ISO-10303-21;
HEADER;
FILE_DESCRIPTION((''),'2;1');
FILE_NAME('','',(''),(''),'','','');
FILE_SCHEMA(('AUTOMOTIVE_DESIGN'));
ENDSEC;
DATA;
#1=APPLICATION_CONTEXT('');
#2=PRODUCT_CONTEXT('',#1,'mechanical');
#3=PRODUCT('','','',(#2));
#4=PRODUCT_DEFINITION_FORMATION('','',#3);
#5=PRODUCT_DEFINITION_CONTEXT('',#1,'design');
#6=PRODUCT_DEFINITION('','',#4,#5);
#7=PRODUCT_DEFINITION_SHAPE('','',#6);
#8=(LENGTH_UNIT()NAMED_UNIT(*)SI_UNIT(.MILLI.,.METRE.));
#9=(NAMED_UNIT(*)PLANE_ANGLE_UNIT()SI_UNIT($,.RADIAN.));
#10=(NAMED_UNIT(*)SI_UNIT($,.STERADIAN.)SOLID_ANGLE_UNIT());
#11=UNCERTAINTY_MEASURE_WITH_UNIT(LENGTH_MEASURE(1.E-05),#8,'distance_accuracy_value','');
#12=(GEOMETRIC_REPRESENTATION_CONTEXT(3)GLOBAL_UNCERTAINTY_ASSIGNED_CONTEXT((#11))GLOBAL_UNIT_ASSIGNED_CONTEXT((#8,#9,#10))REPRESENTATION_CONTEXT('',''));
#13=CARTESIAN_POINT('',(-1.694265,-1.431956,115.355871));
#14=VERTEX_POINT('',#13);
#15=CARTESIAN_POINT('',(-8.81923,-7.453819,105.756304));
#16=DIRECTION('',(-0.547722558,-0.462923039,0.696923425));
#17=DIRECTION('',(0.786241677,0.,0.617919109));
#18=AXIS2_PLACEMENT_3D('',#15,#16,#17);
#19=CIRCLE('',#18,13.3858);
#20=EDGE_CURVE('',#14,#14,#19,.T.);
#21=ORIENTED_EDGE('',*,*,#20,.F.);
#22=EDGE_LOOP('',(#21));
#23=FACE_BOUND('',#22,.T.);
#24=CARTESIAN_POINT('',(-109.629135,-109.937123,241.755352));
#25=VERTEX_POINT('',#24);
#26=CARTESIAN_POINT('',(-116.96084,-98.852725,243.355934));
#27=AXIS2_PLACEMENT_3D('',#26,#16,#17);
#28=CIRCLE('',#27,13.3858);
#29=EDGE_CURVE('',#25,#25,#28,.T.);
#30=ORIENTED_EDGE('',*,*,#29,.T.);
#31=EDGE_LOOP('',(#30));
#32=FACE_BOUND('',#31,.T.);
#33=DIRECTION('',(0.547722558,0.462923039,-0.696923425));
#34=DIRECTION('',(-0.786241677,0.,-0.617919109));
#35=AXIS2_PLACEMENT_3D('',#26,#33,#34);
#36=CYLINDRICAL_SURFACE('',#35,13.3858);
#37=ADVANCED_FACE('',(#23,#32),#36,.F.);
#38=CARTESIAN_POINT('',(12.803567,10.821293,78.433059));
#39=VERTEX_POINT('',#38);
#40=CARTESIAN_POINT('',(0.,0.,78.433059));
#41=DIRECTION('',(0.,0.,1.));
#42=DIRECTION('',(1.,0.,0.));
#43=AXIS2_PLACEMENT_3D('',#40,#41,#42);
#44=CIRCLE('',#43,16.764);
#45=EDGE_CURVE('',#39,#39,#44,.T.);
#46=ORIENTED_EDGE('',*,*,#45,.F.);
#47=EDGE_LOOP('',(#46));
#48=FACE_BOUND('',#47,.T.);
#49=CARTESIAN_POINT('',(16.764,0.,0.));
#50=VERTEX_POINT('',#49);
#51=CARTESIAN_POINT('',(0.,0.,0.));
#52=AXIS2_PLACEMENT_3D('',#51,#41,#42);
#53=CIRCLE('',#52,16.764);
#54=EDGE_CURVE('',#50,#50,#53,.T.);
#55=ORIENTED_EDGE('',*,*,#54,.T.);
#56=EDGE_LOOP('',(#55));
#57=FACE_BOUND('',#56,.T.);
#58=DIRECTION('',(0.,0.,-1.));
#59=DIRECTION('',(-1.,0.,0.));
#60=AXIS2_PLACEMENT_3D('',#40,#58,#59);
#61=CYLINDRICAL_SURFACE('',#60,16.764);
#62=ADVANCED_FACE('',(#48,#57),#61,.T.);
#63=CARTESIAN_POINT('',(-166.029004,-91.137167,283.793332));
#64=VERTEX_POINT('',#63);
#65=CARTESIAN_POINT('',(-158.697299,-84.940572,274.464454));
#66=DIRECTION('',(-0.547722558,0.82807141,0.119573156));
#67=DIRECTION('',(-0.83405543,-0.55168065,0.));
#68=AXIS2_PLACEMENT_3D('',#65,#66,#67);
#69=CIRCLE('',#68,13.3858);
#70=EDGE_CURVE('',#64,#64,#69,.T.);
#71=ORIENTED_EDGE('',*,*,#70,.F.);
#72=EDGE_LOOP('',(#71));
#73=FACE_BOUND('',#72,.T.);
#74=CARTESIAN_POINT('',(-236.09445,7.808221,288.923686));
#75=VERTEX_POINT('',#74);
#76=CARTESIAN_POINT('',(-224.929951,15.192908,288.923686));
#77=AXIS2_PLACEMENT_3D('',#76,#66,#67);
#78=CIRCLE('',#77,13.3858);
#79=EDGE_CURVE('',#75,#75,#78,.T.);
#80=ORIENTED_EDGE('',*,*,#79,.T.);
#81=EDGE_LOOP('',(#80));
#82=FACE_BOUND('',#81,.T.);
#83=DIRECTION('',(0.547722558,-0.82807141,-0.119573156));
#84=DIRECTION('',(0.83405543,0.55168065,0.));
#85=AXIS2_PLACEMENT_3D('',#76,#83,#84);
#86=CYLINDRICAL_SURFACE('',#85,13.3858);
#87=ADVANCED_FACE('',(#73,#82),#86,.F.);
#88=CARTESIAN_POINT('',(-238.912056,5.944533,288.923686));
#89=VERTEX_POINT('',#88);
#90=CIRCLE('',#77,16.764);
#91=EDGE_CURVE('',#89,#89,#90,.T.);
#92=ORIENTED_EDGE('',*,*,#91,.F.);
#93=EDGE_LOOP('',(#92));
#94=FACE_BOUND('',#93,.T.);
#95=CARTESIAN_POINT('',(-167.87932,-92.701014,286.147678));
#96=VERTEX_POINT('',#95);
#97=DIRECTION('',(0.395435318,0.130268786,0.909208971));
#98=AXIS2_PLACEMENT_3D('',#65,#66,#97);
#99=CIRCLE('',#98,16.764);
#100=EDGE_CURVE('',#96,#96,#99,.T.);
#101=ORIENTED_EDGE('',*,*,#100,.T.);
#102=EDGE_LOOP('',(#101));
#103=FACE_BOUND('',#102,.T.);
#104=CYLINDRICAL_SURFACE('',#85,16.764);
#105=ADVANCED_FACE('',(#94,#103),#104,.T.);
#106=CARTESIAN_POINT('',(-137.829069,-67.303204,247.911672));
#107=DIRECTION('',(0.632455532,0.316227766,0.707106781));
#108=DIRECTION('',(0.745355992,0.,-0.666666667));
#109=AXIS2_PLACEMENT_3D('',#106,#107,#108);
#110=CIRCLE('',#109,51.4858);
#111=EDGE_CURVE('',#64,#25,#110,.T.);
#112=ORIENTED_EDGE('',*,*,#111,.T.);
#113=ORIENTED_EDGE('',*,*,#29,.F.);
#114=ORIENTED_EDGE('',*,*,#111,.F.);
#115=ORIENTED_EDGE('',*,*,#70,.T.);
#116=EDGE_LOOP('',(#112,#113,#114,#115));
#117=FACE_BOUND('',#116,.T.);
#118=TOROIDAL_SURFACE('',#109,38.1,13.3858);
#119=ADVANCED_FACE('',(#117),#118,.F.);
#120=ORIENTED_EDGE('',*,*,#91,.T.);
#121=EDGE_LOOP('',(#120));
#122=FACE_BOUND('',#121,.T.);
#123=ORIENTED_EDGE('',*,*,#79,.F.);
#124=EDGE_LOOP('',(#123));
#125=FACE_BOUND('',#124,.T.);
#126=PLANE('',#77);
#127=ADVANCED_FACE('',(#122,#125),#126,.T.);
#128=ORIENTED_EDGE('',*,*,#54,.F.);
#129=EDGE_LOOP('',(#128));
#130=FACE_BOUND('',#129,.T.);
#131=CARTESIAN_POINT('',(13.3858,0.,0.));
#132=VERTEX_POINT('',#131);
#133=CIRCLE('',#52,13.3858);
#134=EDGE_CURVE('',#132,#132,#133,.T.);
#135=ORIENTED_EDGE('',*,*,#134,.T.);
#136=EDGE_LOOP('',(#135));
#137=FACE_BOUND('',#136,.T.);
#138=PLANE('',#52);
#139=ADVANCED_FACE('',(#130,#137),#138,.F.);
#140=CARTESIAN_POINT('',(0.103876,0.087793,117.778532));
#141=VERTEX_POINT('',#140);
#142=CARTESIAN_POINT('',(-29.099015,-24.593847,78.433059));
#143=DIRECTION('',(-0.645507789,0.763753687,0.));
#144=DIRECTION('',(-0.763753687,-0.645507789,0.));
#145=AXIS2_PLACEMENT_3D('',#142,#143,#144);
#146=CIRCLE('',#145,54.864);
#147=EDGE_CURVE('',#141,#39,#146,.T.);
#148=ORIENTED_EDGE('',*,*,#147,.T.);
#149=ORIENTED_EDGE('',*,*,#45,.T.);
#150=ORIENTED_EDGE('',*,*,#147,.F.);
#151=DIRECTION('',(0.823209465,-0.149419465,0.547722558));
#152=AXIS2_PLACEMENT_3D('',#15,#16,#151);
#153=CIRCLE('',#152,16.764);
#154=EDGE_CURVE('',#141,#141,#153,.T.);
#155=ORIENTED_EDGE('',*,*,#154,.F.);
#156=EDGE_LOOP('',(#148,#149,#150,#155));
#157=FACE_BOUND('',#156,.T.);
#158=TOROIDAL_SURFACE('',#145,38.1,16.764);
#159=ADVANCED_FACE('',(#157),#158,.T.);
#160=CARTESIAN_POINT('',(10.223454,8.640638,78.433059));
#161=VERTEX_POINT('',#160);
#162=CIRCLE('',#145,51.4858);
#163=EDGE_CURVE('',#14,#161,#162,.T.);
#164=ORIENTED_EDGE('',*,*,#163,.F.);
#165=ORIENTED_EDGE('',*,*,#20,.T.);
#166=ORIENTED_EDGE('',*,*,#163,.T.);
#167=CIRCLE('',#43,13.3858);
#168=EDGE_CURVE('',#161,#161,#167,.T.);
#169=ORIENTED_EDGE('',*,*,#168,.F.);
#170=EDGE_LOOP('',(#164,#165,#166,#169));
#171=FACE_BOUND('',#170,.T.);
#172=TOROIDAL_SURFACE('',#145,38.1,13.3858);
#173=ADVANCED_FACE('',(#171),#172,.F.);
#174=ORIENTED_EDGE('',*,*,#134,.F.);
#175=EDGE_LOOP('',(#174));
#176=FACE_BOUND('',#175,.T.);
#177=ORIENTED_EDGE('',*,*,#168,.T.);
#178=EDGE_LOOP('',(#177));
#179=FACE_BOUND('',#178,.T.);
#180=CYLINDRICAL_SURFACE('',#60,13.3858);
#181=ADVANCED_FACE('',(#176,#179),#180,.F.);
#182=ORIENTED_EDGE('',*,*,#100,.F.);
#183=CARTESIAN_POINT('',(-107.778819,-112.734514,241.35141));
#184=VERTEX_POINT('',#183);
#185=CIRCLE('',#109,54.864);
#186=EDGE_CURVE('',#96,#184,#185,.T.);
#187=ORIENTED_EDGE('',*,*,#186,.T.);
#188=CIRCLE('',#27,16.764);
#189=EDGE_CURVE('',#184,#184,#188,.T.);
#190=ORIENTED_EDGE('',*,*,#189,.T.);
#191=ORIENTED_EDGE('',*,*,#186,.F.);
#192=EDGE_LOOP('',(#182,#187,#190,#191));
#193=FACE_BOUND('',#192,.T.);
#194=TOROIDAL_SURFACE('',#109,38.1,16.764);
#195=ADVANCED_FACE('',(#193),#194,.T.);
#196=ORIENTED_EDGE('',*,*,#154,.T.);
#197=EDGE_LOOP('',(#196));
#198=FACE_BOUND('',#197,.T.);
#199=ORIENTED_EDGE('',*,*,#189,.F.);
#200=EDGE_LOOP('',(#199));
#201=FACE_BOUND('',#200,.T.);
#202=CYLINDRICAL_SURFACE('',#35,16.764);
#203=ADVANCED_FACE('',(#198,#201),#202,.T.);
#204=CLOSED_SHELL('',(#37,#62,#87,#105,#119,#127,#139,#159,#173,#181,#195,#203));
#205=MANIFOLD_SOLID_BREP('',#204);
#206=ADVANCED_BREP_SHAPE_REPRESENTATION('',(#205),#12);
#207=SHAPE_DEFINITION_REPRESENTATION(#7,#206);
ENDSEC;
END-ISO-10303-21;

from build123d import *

# Parameters (mm, degrees)
PIPESKETCH_R    = 16.764
PIPESKETCH_R_2  = 13.3858
EXTRUSION_DEPTH = 78.43305879
SKETCH_1_R      = 16.764
SKETCH_1_R_2    = 13.3858
REVOLVE_1_ANGLE = 45.819311821
SKETCH_2_R      = 16.764
SKETCH_2_R_2    = 13.3858
EXTRUDE_1_DEPTH = 197.43866419
SKETCH_3_R      = 16.764
SKETCH_3_R_2    = 13.3858
REVOLVE_2_ANGLE = 90
SKETCH_4_R      = 16.764
SKETCH_4_R_2    = 13.3858
EXTRUDE_2_DEPTH = 120.923725302


with BuildPart() as part:
    # PipeSketch → Extrusion (new body)
    with BuildSketch(Plane.XY):
        Circle(PIPESKETCH_R)
        Circle(PIPESKETCH_R_2, mode=Mode.SUBTRACT)
    extrude(amount=EXTRUSION_DEPTH)

    # 草图1 → 旋转1 (revolve)
    with BuildSketch(Plane.XY.offset(78.43305879)):
        with Locations(Location((0, 0, 0), (0, 0, 40.203758457))):
            Circle(SKETCH_1_R)
        with Locations(Location((0, 0, 0), (0, 0, 40.203758457))):
            Circle(SKETCH_1_R_2, mode=Mode.SUBTRACT)
    revolve(axis=Axis((-29.09901546, -24.593846776, 78.43305879), (0.6455077894006402, -0.7637536866183356, 0)), revolution_arc=REVOLVE_1_ANGLE)

    # 草图2 → 凸台-拉伸1 (add)
    with BuildSketch(Plane(origin=(-44.905078471, -37.952783004, 57.137323745), x_dir=(0.8366600265340762, -0.3030542664308184, 0.4562434784170373), z_dir=(-0.5477225575051652, -0.4629230385328477, 0.6969234250586765))):
        with Locations(Location((43.130838557, 52.305939514, 0), (0, 0, 50.491424948))):
            Circle(SKETCH_2_R)
        with Locations(Location((43.130838557, 52.305939514, 0), (0, 0, 50.491424948))):
            Circle(SKETCH_2_R_2, mode=Mode.SUBTRACT)
    extrude(amount=EXTRUDE_1_DEPTH)

    # 草图3 → 旋转2 (revolve)
    with BuildSketch(Plane(origin=(-153.046688572, -129.351689355, 194.736953831), x_dir=(0.8366600265340762, -0.3030542664308184, 0.4562434784170373), z_dir=(-0.5477225575051652, -0.4629230385328477, 0.6969234250586765))):
        with Locations(Location((43.130838557, 52.305939514, 0), (0, 0, 310.893394649))):
            Circle(SKETCH_3_R)
        with Locations(Location((43.130838557, 52.305939514, 0), (0, 0, 310.893394649))):
            Circle(SKETCH_3_R_2, mode=Mode.SUBTRACT)
    revolve(axis=Axis((-137.829069481, -67.303204468, 247.911671562), (-0.6324555320336762, -0.31622776601683844, -0.707106781186547)), revolution_arc=REVOLVE_2_ANGLE)

    # 草图4 → 凸台-拉伸2 (add)
    with BuildSketch(Plane(origin=(-27.059582229, 40.909884227, 5.907369706), x_dir=(0.8366600265340752, 0.5420999882976981, 0.07827900540781119), z_dir=(-0.5477225575051666, 0.8280714102029578, 0.11957315586905065))):
        with Locations(Location((-157.337165059, -283.786451217, 0), (0, 0, 229.106605351))):
            Circle(SKETCH_4_R)
        with Locations(Location((-157.337165059, -283.786451217, 0), (0, 0, 229.106605351))):
            Circle(SKETCH_4_R_2, mode=Mode.SUBTRACT)
    extrude(amount=EXTRUDE_2_DEPTH)


solid = part.part
